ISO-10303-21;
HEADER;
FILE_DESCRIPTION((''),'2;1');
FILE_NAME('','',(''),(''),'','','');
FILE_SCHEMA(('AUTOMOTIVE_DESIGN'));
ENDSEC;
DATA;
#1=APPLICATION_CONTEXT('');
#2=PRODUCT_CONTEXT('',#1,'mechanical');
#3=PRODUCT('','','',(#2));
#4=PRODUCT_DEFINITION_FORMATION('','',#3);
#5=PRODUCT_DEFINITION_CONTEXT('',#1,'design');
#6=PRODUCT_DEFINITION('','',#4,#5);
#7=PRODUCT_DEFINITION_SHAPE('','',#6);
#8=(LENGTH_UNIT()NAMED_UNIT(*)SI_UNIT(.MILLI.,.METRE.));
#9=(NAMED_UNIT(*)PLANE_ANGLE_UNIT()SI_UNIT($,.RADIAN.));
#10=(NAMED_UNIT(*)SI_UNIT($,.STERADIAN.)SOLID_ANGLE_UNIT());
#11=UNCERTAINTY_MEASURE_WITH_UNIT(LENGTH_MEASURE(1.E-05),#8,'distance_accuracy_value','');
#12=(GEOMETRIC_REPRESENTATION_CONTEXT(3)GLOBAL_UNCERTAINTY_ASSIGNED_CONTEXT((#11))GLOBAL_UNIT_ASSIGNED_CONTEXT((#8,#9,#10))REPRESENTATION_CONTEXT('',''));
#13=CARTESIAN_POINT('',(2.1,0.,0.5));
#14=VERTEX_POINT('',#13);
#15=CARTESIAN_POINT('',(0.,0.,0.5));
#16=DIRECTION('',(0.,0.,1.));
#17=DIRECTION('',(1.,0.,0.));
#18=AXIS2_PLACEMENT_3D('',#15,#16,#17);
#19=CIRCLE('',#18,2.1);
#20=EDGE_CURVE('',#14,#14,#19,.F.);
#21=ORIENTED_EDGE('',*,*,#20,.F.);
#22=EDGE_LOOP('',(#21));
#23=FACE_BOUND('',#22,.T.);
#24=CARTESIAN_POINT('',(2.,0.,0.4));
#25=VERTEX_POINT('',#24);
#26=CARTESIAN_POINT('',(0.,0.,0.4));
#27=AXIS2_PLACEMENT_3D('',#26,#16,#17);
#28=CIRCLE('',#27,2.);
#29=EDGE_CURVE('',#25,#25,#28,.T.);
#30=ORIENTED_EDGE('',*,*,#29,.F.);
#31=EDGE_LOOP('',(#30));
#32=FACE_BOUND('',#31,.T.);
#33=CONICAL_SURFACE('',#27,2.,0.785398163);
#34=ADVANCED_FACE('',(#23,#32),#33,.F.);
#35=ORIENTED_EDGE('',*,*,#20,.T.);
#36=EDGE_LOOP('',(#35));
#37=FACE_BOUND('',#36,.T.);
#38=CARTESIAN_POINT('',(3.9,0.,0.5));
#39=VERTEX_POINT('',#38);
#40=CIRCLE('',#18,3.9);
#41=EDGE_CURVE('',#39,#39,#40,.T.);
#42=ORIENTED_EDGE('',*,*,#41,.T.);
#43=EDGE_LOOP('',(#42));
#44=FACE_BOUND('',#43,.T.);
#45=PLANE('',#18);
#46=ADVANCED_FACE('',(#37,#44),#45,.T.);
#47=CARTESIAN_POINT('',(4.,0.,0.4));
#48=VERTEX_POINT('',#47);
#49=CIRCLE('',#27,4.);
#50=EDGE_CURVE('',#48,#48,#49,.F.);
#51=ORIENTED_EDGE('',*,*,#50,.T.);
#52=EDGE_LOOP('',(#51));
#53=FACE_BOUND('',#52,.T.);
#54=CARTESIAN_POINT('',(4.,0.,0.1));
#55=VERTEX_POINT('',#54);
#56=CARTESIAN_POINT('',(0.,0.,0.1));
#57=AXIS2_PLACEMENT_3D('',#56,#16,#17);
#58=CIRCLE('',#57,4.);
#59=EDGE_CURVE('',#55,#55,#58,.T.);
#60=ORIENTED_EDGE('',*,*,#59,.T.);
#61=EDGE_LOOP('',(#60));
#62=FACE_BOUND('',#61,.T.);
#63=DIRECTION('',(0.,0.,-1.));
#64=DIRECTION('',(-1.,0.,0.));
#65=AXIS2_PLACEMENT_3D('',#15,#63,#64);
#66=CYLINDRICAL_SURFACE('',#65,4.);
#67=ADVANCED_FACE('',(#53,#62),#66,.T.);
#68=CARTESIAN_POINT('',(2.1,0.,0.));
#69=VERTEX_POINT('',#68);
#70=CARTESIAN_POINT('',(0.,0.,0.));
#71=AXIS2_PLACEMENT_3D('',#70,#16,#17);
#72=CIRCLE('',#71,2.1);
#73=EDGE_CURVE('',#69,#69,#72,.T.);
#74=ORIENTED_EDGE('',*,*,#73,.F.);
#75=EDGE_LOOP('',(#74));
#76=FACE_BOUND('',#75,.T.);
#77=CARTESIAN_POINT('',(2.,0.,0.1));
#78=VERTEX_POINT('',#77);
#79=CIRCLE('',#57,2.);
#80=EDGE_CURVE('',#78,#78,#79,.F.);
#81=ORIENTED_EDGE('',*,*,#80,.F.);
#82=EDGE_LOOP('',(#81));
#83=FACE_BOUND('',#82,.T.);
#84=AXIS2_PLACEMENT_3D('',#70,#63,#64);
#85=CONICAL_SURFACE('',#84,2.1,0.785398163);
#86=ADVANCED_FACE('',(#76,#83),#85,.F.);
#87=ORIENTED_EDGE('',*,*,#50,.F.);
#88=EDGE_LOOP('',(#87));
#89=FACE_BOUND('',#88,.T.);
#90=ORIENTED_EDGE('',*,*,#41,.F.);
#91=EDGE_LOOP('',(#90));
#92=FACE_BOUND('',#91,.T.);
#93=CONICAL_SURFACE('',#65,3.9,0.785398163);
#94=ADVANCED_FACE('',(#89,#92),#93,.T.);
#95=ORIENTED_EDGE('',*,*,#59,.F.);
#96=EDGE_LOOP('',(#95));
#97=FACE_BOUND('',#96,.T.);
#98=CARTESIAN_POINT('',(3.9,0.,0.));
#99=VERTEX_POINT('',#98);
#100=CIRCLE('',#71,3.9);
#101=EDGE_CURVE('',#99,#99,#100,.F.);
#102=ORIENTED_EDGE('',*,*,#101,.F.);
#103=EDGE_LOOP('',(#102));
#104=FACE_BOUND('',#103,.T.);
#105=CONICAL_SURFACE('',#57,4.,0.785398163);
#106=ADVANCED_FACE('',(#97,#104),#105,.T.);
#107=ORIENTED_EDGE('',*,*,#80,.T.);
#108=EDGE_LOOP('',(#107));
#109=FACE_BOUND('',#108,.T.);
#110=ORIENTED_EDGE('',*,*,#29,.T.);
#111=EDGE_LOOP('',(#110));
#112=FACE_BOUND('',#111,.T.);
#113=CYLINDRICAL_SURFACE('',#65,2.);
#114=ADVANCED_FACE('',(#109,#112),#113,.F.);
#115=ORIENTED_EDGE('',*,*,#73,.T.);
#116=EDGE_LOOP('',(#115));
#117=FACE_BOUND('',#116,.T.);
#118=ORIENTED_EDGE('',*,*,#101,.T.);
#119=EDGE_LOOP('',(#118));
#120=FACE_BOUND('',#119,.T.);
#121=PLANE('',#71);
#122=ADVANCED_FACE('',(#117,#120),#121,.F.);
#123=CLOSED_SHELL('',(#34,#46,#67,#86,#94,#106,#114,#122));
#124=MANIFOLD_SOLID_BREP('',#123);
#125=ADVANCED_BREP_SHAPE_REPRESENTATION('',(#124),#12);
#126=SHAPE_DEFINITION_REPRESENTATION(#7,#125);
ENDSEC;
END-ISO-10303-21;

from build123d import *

# Parameters (mm, degrees)
SKETCH_1_R      = 4
SKETCH_1_R_2    = 2
EXTRUDE_1_DEPTH = 0.5
CHAMFER_1_SIZE  = 0.1


with BuildPart() as part:
    # Эскиз1 → Бобышка-Вытянуть1 (new body)
    with BuildSketch(Plane.XY):
        Circle(SKETCH_1_R)
        Circle(SKETCH_1_R_2, mode=Mode.SUBTRACT)
    extrude(amount=EXTRUDE_1_DEPTH)

    # Фаска1
    chamfer_1_edges = [part.edges().sort_by_distance(p)[0] for p in [
        (-4, 0, 0),
        (-4, 0, 0.5),
        (-2, 0, 0),
        (-2, 0, 0.5),
    ]]
    chamfer(chamfer_1_edges, length=CHAMFER_1_SIZE)


solid = part.part
